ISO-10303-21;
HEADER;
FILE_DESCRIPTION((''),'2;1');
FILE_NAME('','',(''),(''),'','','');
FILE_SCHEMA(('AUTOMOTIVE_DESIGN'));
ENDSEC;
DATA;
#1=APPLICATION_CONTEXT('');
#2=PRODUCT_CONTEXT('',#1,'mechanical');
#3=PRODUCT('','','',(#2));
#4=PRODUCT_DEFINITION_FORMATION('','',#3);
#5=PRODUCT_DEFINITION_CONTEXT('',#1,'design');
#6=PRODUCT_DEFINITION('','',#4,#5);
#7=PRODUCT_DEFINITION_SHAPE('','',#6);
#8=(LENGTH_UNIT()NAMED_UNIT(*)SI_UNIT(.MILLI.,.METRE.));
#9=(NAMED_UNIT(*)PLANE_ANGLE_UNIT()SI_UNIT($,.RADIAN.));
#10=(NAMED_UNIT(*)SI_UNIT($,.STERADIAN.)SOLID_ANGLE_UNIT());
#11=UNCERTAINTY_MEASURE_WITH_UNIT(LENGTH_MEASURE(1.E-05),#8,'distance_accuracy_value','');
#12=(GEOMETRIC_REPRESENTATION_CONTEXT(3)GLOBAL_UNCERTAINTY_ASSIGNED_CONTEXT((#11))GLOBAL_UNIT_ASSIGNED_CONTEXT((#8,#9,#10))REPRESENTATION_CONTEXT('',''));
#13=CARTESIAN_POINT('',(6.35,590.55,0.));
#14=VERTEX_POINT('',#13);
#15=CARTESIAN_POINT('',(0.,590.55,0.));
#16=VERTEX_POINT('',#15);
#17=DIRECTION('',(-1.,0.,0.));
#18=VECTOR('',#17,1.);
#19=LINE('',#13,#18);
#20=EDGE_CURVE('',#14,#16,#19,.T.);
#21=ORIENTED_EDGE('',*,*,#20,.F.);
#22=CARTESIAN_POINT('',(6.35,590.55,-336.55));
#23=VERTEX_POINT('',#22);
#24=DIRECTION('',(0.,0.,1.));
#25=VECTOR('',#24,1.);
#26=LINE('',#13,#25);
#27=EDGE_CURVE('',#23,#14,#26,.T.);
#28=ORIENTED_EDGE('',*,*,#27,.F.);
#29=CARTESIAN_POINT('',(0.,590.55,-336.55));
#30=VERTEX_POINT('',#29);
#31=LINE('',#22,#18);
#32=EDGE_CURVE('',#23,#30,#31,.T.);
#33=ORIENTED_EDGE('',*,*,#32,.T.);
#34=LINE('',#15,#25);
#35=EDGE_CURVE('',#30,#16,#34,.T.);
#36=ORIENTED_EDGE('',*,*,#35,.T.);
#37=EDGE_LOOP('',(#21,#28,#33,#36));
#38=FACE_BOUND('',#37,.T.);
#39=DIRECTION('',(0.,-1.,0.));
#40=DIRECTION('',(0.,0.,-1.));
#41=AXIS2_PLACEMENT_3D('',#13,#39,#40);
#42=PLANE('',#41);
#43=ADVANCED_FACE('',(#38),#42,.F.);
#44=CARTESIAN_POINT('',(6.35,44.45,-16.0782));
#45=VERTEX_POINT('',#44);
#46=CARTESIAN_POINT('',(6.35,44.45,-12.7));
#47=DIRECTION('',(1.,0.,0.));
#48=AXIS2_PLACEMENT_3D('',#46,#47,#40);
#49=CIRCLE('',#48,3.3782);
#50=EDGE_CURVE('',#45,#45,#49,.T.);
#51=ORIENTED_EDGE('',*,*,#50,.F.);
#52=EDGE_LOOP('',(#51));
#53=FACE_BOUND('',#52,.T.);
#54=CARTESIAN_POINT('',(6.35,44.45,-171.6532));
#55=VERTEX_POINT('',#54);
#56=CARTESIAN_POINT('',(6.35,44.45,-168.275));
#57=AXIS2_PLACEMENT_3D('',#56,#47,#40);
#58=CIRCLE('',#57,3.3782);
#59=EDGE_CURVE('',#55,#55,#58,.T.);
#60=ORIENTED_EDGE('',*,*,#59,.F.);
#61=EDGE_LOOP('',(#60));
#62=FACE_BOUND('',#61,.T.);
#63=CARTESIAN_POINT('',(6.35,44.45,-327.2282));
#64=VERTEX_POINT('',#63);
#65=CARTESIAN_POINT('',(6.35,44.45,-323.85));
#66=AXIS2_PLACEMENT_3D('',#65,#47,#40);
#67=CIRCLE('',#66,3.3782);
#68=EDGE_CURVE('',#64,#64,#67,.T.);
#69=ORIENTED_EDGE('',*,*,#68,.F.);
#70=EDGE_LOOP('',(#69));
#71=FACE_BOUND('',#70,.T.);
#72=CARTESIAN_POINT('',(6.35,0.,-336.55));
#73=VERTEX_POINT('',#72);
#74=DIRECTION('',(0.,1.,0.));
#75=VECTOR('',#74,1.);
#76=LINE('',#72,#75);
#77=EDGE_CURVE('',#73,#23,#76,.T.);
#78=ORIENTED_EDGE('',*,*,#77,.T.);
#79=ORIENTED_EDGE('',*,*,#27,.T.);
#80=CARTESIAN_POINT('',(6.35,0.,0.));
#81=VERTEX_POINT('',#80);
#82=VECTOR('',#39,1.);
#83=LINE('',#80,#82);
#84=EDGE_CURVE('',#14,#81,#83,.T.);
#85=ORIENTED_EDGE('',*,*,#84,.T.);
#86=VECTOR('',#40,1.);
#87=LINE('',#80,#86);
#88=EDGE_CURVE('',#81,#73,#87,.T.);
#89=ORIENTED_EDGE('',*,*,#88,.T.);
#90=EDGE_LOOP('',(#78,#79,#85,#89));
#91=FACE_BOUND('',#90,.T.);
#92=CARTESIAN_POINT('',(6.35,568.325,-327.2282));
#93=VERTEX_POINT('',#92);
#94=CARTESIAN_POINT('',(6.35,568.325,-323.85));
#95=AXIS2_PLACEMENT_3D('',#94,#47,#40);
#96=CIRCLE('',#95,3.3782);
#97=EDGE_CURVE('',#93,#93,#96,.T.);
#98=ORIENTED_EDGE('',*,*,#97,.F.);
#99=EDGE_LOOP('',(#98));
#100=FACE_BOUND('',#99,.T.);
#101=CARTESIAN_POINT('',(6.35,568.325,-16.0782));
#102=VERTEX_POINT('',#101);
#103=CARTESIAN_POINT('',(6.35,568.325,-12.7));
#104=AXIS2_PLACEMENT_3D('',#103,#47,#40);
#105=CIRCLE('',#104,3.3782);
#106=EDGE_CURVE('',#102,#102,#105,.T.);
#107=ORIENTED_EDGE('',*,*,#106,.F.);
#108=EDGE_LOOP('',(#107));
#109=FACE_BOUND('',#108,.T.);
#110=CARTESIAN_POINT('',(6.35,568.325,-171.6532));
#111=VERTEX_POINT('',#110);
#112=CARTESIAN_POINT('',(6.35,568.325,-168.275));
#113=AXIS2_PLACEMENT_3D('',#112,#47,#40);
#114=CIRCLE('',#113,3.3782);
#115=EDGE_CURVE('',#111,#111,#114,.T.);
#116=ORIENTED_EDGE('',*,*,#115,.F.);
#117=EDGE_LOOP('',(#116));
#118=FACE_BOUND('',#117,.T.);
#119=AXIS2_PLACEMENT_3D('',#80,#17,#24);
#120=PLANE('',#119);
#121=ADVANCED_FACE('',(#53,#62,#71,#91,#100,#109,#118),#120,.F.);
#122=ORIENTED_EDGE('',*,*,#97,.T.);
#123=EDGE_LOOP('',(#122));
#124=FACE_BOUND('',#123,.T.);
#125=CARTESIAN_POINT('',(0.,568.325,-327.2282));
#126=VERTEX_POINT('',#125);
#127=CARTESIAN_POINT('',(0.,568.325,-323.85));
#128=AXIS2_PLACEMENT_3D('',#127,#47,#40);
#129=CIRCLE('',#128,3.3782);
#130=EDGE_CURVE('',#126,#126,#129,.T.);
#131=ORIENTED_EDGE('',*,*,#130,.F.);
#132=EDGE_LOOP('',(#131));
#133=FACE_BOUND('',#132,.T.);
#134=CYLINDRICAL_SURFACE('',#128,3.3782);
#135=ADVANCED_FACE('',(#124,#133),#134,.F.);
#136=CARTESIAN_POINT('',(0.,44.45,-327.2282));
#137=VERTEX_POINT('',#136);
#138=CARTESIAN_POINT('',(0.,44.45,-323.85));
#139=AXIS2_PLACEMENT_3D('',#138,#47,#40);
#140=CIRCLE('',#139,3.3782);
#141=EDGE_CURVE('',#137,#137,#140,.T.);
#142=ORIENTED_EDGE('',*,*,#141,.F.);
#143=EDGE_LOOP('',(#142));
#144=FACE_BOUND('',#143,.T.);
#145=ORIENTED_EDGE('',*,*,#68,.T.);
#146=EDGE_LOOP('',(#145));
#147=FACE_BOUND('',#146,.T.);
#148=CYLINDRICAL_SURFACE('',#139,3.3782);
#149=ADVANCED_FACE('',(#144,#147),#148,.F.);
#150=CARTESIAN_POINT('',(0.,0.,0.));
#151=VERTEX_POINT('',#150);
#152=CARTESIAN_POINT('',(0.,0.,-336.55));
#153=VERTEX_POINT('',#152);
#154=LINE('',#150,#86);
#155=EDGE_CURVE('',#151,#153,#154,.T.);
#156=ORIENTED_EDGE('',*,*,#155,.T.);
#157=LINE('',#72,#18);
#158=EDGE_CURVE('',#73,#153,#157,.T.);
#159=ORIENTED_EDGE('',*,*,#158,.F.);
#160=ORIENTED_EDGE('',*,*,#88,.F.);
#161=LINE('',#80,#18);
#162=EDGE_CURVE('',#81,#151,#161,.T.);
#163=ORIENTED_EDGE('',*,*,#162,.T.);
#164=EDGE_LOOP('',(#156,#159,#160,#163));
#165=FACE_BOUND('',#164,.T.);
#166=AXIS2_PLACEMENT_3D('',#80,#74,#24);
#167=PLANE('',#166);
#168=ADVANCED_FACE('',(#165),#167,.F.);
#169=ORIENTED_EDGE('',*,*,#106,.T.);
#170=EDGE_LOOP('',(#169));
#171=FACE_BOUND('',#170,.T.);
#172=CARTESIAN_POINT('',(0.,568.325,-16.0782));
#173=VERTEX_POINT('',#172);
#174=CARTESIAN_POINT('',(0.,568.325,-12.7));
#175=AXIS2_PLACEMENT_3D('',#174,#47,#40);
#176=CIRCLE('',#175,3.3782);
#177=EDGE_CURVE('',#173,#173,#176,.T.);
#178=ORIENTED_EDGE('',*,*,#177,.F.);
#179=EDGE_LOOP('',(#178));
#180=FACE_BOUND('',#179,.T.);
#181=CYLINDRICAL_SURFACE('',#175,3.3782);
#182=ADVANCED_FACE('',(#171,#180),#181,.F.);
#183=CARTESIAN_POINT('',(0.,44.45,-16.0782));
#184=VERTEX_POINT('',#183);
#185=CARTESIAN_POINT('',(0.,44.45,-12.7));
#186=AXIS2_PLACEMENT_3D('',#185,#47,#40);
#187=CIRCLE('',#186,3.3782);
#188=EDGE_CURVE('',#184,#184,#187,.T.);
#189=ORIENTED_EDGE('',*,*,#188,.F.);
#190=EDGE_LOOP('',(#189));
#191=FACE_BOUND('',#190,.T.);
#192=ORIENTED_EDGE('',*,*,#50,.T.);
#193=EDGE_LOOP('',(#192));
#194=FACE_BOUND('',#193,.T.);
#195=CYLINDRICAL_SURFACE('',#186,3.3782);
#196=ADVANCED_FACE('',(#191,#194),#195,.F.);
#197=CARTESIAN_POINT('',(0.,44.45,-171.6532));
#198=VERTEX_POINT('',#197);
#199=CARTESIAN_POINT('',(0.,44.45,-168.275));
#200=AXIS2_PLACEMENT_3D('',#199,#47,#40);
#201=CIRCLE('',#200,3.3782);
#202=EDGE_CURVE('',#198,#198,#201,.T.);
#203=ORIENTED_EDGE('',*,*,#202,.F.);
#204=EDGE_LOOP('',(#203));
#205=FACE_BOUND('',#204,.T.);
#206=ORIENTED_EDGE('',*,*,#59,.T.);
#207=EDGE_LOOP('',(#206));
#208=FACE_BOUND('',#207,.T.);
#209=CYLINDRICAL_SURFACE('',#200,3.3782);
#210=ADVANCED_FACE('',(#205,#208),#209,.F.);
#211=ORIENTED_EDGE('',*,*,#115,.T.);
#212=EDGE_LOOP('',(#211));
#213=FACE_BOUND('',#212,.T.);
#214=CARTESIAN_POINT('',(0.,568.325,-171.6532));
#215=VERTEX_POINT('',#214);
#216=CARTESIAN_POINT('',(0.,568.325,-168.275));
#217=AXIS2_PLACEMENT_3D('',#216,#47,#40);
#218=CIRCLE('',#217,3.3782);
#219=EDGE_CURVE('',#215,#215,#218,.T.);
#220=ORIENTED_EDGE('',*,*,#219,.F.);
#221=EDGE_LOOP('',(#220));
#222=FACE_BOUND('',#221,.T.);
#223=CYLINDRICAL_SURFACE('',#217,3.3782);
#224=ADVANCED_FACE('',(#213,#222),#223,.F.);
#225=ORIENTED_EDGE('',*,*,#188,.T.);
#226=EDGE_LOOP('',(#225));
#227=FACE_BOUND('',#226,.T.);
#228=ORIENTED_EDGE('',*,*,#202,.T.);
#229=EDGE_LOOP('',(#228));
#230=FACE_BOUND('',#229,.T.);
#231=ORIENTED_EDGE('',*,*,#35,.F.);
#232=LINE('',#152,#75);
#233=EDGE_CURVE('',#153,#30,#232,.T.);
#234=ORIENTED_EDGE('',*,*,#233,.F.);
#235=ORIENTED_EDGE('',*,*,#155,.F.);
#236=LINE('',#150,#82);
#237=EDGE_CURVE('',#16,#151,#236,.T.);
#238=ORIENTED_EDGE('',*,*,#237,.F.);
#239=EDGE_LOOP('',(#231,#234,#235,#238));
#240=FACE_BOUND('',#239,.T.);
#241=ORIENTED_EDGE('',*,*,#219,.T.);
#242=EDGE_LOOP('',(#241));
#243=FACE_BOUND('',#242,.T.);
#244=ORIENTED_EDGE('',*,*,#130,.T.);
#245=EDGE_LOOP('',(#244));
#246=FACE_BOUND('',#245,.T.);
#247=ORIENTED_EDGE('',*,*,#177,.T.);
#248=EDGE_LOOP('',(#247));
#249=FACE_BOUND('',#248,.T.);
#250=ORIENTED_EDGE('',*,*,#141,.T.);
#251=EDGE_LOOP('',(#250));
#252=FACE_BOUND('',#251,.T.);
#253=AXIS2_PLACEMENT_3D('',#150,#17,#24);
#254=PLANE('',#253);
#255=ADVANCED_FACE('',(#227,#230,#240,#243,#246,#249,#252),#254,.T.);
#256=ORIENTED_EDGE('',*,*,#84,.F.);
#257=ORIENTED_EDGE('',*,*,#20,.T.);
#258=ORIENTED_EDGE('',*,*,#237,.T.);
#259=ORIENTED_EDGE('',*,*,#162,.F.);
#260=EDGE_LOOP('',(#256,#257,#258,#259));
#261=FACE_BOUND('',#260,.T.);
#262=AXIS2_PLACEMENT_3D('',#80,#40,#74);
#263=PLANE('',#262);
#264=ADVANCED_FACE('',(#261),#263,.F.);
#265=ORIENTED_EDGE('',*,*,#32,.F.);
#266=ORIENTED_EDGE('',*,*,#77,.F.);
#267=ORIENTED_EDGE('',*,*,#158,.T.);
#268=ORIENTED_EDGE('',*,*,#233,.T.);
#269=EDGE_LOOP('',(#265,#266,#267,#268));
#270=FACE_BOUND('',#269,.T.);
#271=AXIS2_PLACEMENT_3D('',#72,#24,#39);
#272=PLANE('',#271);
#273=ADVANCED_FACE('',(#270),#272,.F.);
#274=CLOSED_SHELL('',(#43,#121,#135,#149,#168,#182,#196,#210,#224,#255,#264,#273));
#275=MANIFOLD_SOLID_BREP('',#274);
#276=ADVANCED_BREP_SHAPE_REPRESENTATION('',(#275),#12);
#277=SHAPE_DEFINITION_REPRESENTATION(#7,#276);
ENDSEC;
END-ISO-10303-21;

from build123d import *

# Parameters (mm, degrees)
SKETCH1_W           = 336.55
SKETCH1_H           = 590.55
BOSS_EXTRUDE1_DEPTH = 6.35
SKETCH2_R           = 3.3782
CUT_EXTRUDE1_DEPTH  = 6.35
LPATTERN1_COUNT     = 3
LPATTERN1_PITCH     = 155.575


with BuildPart() as part:
    # Sketch1 → Boss-Extrude1 (new body)
    with BuildSketch(Plane(origin=(0, 0, 0), x_dir=(0, 0, -1), z_dir=(1, 0, 0))):
        with Locations((168.275, 295.275)):
            Rectangle(SKETCH1_W, SKETCH1_H)
    extrude(amount=BOSS_EXTRUDE1_DEPTH)

    # Sketch2 → Cut-Extrude1 (cut)
    with BuildSketch(Plane(origin=(6.35, 0, 0), x_dir=(0, 0, -1), z_dir=(1, 0, 0))):
        with Locations((323.85, 568.325)):
            Circle(SKETCH2_R)
        with Locations((323.85, 44.45)):
            Circle(SKETCH2_R)
    cut_extrude1 = extrude(amount=-CUT_EXTRUDE1_DEPTH, mode=Mode.SUBTRACT)

    # LPattern1: Cut-Extrude1 ×3
    with Locations(*[(0, 0, i * LPATTERN1_PITCH) for i in range(1, LPATTERN1_COUNT)]):
        add(cut_extrude1, mode=Mode.SUBTRACT)


solid = part.part
